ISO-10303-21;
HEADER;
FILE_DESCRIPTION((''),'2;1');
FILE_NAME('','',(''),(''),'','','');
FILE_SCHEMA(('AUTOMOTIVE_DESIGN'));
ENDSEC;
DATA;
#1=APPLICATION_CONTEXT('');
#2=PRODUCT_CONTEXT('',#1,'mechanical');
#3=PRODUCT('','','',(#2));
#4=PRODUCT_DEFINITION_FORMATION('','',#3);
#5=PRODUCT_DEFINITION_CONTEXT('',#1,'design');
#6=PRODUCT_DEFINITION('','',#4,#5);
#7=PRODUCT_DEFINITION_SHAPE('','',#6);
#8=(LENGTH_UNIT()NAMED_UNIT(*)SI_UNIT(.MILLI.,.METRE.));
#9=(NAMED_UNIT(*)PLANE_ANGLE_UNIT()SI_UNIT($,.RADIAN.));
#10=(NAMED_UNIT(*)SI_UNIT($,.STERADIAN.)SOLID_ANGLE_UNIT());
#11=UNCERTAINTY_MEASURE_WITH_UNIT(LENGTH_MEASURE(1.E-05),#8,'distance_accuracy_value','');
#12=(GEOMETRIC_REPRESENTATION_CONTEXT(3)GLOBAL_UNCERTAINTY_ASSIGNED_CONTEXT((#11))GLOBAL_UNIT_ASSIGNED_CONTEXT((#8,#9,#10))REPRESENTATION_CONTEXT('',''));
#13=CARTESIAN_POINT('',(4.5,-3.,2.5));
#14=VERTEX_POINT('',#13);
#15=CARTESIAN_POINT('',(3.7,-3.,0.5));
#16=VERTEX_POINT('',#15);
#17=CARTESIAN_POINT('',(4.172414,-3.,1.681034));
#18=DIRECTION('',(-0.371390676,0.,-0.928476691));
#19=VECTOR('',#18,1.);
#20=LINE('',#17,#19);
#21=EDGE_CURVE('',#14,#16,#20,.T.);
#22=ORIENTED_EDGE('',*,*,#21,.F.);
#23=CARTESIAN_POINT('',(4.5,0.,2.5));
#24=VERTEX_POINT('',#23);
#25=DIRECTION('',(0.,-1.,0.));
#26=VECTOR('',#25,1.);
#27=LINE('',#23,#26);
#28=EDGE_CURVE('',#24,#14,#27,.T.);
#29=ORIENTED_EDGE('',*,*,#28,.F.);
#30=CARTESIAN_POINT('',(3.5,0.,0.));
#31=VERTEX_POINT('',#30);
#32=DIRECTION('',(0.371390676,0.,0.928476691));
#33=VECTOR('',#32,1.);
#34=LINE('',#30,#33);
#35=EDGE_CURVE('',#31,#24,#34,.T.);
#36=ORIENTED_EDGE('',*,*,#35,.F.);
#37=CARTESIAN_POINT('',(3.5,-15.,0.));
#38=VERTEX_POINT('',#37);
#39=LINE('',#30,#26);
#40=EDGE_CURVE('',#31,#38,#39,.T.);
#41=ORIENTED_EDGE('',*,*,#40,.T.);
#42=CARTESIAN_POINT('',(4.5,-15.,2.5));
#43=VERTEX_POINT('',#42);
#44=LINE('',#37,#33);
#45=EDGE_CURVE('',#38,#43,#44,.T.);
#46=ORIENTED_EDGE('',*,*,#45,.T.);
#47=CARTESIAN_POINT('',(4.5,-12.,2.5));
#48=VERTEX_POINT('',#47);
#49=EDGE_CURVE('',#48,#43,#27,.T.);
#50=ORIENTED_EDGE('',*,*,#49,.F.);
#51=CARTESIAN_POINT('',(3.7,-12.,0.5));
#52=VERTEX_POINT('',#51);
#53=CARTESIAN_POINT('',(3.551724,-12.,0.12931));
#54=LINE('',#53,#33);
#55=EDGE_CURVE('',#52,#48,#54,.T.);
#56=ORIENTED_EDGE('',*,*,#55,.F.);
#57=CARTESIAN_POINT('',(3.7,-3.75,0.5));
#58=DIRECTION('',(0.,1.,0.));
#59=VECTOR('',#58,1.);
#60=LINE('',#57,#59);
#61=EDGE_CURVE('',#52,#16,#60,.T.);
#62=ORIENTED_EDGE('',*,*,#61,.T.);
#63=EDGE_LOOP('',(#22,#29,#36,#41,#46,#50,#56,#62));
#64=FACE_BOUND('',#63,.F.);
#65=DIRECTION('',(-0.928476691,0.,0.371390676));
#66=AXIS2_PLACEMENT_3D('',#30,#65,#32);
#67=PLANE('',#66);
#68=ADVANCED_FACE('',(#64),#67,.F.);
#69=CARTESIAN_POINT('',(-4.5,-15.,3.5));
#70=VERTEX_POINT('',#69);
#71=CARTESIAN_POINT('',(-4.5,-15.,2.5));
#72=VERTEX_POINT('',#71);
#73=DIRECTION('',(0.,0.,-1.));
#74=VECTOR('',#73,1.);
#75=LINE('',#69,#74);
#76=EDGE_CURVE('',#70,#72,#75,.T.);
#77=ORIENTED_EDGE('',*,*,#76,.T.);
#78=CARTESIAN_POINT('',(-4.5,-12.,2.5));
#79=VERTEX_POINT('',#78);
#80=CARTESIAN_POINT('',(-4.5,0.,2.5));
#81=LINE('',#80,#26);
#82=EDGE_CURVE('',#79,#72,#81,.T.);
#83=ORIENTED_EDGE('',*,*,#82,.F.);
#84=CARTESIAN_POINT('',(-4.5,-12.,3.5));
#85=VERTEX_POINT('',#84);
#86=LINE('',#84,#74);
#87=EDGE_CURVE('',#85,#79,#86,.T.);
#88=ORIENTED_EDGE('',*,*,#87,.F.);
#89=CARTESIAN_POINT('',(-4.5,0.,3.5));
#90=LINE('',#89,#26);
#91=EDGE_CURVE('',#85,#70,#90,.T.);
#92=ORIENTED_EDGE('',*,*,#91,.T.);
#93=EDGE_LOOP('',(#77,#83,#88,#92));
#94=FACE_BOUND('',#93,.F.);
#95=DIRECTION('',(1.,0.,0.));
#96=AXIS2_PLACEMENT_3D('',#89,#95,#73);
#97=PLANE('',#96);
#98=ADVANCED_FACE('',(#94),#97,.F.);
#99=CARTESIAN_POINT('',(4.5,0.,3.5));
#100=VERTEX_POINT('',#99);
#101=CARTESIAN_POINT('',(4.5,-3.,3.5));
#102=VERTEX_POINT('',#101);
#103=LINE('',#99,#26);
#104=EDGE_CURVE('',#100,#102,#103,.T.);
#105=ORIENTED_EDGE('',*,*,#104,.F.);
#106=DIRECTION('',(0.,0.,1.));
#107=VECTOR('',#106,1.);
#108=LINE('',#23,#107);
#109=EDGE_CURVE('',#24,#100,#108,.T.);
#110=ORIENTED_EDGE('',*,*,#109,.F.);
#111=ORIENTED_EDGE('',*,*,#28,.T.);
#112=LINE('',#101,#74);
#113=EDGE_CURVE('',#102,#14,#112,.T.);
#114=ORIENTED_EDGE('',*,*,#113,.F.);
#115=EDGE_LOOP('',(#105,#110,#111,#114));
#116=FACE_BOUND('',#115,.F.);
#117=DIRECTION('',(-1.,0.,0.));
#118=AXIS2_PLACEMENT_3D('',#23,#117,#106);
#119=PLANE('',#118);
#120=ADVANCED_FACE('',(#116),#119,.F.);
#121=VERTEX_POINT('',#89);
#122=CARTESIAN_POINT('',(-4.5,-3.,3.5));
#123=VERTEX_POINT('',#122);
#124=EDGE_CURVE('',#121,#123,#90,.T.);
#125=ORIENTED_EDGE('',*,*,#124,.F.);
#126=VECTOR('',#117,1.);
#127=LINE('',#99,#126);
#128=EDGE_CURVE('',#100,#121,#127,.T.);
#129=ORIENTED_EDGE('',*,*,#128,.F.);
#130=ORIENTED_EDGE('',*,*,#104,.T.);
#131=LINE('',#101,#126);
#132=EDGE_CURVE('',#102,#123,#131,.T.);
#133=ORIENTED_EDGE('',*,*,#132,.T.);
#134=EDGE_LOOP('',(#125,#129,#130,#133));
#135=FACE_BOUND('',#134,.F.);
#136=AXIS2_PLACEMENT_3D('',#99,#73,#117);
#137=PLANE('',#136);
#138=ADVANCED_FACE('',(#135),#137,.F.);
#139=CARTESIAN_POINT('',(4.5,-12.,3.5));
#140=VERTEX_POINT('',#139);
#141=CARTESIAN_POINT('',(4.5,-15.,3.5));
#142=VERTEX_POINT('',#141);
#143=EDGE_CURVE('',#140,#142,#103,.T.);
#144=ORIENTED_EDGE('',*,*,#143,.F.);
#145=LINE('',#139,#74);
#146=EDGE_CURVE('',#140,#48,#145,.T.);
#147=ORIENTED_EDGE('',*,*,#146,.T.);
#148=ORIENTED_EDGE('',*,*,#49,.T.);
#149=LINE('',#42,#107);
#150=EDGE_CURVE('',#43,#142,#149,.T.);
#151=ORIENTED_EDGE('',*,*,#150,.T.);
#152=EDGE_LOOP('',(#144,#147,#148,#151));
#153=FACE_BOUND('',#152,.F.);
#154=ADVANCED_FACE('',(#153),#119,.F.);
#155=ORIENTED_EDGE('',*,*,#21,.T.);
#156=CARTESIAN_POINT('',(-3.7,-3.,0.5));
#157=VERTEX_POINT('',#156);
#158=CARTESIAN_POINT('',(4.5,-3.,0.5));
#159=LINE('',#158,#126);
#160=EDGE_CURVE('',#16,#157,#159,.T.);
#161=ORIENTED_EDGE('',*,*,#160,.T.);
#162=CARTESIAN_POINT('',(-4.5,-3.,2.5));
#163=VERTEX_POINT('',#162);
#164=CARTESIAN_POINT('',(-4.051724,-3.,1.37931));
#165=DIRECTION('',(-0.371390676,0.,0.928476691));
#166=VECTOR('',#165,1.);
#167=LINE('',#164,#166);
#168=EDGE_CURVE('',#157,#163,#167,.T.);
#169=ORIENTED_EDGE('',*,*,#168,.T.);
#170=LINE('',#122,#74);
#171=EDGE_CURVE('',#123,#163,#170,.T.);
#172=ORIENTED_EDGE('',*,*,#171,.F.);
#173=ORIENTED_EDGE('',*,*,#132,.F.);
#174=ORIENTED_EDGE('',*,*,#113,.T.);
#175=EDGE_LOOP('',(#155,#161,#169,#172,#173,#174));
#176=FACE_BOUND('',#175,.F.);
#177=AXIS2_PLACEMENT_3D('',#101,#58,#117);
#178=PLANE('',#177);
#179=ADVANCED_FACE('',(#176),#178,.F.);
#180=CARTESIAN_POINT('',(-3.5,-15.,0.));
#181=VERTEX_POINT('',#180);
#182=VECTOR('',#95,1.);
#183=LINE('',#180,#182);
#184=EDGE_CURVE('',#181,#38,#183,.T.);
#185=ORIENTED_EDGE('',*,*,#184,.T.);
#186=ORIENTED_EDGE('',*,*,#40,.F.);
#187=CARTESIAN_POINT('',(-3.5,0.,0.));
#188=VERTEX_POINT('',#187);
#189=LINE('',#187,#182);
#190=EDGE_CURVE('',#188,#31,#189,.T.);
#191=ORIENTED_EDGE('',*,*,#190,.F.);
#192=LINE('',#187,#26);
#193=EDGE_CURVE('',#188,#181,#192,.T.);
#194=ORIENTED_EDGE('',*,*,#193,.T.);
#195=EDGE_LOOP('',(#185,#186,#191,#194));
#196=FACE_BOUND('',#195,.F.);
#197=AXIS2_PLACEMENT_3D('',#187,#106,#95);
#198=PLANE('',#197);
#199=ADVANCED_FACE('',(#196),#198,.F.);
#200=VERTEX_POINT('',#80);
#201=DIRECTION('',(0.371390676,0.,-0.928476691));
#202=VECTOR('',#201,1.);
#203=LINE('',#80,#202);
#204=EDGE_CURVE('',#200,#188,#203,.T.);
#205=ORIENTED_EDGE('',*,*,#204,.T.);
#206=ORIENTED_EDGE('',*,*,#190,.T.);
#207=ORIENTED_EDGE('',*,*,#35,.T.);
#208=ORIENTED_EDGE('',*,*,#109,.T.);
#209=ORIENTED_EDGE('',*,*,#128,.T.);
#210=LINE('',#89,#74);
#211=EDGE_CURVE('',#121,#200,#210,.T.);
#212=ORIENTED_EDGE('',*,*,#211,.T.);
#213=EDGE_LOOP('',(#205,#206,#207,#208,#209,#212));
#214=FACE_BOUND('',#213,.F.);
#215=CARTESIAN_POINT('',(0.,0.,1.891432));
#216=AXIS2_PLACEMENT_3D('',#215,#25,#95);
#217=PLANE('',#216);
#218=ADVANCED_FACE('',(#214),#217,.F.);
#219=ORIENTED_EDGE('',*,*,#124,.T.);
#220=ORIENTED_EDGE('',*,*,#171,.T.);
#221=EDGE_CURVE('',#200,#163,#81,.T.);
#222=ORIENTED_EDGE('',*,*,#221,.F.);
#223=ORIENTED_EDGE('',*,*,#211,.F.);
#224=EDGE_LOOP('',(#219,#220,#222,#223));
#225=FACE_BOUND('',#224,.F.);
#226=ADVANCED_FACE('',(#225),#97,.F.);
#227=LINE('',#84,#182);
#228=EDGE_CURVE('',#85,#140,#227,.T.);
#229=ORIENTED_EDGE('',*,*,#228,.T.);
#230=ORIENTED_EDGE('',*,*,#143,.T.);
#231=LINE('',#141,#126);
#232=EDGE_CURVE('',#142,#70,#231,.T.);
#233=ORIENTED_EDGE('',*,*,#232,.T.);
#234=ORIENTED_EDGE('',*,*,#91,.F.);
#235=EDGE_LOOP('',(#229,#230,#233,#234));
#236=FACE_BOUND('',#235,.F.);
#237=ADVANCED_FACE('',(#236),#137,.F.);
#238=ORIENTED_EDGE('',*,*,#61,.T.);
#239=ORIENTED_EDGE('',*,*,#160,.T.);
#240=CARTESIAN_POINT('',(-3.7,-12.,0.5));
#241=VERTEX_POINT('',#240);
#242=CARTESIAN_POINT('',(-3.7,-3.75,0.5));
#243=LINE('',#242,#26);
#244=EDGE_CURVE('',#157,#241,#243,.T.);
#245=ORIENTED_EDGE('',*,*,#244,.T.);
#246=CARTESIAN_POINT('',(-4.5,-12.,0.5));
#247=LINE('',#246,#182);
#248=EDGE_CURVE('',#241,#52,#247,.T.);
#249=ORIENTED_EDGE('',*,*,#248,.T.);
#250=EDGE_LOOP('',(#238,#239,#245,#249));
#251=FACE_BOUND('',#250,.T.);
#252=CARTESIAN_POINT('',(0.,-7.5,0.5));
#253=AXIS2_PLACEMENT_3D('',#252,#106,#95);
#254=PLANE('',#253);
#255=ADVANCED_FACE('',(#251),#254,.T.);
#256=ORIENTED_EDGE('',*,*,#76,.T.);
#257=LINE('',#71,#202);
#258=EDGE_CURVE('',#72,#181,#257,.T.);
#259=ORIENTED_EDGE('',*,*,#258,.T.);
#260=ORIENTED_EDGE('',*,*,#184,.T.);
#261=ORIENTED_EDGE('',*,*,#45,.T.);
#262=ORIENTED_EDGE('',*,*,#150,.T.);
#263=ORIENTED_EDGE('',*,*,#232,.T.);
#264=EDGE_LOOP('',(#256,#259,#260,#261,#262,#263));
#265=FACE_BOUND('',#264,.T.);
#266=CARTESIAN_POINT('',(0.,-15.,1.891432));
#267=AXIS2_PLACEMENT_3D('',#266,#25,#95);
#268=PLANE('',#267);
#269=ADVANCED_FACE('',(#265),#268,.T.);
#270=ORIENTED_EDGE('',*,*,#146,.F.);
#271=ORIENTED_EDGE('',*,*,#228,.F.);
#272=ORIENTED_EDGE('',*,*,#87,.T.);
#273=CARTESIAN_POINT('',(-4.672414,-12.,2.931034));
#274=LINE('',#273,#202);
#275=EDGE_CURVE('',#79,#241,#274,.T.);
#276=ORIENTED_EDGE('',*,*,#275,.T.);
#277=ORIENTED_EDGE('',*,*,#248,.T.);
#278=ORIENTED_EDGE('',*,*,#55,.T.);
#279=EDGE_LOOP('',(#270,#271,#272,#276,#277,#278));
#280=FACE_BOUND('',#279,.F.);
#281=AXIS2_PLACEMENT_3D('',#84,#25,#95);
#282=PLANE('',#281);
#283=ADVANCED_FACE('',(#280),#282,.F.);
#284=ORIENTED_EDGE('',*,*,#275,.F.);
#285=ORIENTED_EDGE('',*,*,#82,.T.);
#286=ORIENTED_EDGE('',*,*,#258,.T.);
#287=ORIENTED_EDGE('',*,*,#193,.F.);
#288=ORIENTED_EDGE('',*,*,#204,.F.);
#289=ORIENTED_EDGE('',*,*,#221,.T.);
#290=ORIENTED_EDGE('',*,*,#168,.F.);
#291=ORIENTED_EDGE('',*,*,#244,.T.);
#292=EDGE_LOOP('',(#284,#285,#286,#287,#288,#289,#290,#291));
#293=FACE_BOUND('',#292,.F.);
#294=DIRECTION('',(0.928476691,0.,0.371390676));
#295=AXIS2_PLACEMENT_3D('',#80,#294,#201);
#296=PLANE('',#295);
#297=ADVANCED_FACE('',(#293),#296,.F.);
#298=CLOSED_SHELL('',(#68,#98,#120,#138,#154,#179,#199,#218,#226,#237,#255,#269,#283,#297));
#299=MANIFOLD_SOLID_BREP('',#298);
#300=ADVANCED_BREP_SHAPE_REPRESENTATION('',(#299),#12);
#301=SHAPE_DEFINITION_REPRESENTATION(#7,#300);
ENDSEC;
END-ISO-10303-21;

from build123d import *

# Parameters (mm, degrees)
F1_DEPTH = 15
F3_DEPTH = 3


with BuildPart() as f1:
    # F0 (on Front) → F1 (new body)
    with BuildSketch(Plane.XZ):
        Polygon((-3.5, 0), (0, 0), (3.5, 0), (4.5, 2.5), (4.5, 3.5), (0, 3.5), (-4.5, 3.5), (-4.5, 2.5), align=None)
    extrude(amount=F1_DEPTH)

    # F2 (on face) → F3 (cut)
    with BuildSketch(Plane.XY.offset(3.5)):
        Polygon((4.5, -12), (4.5, -7.5), (4.5, -3), (-4.5, -3), (-4.5, -7.5), (-4.5, -12), align=None)
    extrude(amount=-F3_DEPTH, mode=Mode.SUBTRACT)


solid = f1.part
